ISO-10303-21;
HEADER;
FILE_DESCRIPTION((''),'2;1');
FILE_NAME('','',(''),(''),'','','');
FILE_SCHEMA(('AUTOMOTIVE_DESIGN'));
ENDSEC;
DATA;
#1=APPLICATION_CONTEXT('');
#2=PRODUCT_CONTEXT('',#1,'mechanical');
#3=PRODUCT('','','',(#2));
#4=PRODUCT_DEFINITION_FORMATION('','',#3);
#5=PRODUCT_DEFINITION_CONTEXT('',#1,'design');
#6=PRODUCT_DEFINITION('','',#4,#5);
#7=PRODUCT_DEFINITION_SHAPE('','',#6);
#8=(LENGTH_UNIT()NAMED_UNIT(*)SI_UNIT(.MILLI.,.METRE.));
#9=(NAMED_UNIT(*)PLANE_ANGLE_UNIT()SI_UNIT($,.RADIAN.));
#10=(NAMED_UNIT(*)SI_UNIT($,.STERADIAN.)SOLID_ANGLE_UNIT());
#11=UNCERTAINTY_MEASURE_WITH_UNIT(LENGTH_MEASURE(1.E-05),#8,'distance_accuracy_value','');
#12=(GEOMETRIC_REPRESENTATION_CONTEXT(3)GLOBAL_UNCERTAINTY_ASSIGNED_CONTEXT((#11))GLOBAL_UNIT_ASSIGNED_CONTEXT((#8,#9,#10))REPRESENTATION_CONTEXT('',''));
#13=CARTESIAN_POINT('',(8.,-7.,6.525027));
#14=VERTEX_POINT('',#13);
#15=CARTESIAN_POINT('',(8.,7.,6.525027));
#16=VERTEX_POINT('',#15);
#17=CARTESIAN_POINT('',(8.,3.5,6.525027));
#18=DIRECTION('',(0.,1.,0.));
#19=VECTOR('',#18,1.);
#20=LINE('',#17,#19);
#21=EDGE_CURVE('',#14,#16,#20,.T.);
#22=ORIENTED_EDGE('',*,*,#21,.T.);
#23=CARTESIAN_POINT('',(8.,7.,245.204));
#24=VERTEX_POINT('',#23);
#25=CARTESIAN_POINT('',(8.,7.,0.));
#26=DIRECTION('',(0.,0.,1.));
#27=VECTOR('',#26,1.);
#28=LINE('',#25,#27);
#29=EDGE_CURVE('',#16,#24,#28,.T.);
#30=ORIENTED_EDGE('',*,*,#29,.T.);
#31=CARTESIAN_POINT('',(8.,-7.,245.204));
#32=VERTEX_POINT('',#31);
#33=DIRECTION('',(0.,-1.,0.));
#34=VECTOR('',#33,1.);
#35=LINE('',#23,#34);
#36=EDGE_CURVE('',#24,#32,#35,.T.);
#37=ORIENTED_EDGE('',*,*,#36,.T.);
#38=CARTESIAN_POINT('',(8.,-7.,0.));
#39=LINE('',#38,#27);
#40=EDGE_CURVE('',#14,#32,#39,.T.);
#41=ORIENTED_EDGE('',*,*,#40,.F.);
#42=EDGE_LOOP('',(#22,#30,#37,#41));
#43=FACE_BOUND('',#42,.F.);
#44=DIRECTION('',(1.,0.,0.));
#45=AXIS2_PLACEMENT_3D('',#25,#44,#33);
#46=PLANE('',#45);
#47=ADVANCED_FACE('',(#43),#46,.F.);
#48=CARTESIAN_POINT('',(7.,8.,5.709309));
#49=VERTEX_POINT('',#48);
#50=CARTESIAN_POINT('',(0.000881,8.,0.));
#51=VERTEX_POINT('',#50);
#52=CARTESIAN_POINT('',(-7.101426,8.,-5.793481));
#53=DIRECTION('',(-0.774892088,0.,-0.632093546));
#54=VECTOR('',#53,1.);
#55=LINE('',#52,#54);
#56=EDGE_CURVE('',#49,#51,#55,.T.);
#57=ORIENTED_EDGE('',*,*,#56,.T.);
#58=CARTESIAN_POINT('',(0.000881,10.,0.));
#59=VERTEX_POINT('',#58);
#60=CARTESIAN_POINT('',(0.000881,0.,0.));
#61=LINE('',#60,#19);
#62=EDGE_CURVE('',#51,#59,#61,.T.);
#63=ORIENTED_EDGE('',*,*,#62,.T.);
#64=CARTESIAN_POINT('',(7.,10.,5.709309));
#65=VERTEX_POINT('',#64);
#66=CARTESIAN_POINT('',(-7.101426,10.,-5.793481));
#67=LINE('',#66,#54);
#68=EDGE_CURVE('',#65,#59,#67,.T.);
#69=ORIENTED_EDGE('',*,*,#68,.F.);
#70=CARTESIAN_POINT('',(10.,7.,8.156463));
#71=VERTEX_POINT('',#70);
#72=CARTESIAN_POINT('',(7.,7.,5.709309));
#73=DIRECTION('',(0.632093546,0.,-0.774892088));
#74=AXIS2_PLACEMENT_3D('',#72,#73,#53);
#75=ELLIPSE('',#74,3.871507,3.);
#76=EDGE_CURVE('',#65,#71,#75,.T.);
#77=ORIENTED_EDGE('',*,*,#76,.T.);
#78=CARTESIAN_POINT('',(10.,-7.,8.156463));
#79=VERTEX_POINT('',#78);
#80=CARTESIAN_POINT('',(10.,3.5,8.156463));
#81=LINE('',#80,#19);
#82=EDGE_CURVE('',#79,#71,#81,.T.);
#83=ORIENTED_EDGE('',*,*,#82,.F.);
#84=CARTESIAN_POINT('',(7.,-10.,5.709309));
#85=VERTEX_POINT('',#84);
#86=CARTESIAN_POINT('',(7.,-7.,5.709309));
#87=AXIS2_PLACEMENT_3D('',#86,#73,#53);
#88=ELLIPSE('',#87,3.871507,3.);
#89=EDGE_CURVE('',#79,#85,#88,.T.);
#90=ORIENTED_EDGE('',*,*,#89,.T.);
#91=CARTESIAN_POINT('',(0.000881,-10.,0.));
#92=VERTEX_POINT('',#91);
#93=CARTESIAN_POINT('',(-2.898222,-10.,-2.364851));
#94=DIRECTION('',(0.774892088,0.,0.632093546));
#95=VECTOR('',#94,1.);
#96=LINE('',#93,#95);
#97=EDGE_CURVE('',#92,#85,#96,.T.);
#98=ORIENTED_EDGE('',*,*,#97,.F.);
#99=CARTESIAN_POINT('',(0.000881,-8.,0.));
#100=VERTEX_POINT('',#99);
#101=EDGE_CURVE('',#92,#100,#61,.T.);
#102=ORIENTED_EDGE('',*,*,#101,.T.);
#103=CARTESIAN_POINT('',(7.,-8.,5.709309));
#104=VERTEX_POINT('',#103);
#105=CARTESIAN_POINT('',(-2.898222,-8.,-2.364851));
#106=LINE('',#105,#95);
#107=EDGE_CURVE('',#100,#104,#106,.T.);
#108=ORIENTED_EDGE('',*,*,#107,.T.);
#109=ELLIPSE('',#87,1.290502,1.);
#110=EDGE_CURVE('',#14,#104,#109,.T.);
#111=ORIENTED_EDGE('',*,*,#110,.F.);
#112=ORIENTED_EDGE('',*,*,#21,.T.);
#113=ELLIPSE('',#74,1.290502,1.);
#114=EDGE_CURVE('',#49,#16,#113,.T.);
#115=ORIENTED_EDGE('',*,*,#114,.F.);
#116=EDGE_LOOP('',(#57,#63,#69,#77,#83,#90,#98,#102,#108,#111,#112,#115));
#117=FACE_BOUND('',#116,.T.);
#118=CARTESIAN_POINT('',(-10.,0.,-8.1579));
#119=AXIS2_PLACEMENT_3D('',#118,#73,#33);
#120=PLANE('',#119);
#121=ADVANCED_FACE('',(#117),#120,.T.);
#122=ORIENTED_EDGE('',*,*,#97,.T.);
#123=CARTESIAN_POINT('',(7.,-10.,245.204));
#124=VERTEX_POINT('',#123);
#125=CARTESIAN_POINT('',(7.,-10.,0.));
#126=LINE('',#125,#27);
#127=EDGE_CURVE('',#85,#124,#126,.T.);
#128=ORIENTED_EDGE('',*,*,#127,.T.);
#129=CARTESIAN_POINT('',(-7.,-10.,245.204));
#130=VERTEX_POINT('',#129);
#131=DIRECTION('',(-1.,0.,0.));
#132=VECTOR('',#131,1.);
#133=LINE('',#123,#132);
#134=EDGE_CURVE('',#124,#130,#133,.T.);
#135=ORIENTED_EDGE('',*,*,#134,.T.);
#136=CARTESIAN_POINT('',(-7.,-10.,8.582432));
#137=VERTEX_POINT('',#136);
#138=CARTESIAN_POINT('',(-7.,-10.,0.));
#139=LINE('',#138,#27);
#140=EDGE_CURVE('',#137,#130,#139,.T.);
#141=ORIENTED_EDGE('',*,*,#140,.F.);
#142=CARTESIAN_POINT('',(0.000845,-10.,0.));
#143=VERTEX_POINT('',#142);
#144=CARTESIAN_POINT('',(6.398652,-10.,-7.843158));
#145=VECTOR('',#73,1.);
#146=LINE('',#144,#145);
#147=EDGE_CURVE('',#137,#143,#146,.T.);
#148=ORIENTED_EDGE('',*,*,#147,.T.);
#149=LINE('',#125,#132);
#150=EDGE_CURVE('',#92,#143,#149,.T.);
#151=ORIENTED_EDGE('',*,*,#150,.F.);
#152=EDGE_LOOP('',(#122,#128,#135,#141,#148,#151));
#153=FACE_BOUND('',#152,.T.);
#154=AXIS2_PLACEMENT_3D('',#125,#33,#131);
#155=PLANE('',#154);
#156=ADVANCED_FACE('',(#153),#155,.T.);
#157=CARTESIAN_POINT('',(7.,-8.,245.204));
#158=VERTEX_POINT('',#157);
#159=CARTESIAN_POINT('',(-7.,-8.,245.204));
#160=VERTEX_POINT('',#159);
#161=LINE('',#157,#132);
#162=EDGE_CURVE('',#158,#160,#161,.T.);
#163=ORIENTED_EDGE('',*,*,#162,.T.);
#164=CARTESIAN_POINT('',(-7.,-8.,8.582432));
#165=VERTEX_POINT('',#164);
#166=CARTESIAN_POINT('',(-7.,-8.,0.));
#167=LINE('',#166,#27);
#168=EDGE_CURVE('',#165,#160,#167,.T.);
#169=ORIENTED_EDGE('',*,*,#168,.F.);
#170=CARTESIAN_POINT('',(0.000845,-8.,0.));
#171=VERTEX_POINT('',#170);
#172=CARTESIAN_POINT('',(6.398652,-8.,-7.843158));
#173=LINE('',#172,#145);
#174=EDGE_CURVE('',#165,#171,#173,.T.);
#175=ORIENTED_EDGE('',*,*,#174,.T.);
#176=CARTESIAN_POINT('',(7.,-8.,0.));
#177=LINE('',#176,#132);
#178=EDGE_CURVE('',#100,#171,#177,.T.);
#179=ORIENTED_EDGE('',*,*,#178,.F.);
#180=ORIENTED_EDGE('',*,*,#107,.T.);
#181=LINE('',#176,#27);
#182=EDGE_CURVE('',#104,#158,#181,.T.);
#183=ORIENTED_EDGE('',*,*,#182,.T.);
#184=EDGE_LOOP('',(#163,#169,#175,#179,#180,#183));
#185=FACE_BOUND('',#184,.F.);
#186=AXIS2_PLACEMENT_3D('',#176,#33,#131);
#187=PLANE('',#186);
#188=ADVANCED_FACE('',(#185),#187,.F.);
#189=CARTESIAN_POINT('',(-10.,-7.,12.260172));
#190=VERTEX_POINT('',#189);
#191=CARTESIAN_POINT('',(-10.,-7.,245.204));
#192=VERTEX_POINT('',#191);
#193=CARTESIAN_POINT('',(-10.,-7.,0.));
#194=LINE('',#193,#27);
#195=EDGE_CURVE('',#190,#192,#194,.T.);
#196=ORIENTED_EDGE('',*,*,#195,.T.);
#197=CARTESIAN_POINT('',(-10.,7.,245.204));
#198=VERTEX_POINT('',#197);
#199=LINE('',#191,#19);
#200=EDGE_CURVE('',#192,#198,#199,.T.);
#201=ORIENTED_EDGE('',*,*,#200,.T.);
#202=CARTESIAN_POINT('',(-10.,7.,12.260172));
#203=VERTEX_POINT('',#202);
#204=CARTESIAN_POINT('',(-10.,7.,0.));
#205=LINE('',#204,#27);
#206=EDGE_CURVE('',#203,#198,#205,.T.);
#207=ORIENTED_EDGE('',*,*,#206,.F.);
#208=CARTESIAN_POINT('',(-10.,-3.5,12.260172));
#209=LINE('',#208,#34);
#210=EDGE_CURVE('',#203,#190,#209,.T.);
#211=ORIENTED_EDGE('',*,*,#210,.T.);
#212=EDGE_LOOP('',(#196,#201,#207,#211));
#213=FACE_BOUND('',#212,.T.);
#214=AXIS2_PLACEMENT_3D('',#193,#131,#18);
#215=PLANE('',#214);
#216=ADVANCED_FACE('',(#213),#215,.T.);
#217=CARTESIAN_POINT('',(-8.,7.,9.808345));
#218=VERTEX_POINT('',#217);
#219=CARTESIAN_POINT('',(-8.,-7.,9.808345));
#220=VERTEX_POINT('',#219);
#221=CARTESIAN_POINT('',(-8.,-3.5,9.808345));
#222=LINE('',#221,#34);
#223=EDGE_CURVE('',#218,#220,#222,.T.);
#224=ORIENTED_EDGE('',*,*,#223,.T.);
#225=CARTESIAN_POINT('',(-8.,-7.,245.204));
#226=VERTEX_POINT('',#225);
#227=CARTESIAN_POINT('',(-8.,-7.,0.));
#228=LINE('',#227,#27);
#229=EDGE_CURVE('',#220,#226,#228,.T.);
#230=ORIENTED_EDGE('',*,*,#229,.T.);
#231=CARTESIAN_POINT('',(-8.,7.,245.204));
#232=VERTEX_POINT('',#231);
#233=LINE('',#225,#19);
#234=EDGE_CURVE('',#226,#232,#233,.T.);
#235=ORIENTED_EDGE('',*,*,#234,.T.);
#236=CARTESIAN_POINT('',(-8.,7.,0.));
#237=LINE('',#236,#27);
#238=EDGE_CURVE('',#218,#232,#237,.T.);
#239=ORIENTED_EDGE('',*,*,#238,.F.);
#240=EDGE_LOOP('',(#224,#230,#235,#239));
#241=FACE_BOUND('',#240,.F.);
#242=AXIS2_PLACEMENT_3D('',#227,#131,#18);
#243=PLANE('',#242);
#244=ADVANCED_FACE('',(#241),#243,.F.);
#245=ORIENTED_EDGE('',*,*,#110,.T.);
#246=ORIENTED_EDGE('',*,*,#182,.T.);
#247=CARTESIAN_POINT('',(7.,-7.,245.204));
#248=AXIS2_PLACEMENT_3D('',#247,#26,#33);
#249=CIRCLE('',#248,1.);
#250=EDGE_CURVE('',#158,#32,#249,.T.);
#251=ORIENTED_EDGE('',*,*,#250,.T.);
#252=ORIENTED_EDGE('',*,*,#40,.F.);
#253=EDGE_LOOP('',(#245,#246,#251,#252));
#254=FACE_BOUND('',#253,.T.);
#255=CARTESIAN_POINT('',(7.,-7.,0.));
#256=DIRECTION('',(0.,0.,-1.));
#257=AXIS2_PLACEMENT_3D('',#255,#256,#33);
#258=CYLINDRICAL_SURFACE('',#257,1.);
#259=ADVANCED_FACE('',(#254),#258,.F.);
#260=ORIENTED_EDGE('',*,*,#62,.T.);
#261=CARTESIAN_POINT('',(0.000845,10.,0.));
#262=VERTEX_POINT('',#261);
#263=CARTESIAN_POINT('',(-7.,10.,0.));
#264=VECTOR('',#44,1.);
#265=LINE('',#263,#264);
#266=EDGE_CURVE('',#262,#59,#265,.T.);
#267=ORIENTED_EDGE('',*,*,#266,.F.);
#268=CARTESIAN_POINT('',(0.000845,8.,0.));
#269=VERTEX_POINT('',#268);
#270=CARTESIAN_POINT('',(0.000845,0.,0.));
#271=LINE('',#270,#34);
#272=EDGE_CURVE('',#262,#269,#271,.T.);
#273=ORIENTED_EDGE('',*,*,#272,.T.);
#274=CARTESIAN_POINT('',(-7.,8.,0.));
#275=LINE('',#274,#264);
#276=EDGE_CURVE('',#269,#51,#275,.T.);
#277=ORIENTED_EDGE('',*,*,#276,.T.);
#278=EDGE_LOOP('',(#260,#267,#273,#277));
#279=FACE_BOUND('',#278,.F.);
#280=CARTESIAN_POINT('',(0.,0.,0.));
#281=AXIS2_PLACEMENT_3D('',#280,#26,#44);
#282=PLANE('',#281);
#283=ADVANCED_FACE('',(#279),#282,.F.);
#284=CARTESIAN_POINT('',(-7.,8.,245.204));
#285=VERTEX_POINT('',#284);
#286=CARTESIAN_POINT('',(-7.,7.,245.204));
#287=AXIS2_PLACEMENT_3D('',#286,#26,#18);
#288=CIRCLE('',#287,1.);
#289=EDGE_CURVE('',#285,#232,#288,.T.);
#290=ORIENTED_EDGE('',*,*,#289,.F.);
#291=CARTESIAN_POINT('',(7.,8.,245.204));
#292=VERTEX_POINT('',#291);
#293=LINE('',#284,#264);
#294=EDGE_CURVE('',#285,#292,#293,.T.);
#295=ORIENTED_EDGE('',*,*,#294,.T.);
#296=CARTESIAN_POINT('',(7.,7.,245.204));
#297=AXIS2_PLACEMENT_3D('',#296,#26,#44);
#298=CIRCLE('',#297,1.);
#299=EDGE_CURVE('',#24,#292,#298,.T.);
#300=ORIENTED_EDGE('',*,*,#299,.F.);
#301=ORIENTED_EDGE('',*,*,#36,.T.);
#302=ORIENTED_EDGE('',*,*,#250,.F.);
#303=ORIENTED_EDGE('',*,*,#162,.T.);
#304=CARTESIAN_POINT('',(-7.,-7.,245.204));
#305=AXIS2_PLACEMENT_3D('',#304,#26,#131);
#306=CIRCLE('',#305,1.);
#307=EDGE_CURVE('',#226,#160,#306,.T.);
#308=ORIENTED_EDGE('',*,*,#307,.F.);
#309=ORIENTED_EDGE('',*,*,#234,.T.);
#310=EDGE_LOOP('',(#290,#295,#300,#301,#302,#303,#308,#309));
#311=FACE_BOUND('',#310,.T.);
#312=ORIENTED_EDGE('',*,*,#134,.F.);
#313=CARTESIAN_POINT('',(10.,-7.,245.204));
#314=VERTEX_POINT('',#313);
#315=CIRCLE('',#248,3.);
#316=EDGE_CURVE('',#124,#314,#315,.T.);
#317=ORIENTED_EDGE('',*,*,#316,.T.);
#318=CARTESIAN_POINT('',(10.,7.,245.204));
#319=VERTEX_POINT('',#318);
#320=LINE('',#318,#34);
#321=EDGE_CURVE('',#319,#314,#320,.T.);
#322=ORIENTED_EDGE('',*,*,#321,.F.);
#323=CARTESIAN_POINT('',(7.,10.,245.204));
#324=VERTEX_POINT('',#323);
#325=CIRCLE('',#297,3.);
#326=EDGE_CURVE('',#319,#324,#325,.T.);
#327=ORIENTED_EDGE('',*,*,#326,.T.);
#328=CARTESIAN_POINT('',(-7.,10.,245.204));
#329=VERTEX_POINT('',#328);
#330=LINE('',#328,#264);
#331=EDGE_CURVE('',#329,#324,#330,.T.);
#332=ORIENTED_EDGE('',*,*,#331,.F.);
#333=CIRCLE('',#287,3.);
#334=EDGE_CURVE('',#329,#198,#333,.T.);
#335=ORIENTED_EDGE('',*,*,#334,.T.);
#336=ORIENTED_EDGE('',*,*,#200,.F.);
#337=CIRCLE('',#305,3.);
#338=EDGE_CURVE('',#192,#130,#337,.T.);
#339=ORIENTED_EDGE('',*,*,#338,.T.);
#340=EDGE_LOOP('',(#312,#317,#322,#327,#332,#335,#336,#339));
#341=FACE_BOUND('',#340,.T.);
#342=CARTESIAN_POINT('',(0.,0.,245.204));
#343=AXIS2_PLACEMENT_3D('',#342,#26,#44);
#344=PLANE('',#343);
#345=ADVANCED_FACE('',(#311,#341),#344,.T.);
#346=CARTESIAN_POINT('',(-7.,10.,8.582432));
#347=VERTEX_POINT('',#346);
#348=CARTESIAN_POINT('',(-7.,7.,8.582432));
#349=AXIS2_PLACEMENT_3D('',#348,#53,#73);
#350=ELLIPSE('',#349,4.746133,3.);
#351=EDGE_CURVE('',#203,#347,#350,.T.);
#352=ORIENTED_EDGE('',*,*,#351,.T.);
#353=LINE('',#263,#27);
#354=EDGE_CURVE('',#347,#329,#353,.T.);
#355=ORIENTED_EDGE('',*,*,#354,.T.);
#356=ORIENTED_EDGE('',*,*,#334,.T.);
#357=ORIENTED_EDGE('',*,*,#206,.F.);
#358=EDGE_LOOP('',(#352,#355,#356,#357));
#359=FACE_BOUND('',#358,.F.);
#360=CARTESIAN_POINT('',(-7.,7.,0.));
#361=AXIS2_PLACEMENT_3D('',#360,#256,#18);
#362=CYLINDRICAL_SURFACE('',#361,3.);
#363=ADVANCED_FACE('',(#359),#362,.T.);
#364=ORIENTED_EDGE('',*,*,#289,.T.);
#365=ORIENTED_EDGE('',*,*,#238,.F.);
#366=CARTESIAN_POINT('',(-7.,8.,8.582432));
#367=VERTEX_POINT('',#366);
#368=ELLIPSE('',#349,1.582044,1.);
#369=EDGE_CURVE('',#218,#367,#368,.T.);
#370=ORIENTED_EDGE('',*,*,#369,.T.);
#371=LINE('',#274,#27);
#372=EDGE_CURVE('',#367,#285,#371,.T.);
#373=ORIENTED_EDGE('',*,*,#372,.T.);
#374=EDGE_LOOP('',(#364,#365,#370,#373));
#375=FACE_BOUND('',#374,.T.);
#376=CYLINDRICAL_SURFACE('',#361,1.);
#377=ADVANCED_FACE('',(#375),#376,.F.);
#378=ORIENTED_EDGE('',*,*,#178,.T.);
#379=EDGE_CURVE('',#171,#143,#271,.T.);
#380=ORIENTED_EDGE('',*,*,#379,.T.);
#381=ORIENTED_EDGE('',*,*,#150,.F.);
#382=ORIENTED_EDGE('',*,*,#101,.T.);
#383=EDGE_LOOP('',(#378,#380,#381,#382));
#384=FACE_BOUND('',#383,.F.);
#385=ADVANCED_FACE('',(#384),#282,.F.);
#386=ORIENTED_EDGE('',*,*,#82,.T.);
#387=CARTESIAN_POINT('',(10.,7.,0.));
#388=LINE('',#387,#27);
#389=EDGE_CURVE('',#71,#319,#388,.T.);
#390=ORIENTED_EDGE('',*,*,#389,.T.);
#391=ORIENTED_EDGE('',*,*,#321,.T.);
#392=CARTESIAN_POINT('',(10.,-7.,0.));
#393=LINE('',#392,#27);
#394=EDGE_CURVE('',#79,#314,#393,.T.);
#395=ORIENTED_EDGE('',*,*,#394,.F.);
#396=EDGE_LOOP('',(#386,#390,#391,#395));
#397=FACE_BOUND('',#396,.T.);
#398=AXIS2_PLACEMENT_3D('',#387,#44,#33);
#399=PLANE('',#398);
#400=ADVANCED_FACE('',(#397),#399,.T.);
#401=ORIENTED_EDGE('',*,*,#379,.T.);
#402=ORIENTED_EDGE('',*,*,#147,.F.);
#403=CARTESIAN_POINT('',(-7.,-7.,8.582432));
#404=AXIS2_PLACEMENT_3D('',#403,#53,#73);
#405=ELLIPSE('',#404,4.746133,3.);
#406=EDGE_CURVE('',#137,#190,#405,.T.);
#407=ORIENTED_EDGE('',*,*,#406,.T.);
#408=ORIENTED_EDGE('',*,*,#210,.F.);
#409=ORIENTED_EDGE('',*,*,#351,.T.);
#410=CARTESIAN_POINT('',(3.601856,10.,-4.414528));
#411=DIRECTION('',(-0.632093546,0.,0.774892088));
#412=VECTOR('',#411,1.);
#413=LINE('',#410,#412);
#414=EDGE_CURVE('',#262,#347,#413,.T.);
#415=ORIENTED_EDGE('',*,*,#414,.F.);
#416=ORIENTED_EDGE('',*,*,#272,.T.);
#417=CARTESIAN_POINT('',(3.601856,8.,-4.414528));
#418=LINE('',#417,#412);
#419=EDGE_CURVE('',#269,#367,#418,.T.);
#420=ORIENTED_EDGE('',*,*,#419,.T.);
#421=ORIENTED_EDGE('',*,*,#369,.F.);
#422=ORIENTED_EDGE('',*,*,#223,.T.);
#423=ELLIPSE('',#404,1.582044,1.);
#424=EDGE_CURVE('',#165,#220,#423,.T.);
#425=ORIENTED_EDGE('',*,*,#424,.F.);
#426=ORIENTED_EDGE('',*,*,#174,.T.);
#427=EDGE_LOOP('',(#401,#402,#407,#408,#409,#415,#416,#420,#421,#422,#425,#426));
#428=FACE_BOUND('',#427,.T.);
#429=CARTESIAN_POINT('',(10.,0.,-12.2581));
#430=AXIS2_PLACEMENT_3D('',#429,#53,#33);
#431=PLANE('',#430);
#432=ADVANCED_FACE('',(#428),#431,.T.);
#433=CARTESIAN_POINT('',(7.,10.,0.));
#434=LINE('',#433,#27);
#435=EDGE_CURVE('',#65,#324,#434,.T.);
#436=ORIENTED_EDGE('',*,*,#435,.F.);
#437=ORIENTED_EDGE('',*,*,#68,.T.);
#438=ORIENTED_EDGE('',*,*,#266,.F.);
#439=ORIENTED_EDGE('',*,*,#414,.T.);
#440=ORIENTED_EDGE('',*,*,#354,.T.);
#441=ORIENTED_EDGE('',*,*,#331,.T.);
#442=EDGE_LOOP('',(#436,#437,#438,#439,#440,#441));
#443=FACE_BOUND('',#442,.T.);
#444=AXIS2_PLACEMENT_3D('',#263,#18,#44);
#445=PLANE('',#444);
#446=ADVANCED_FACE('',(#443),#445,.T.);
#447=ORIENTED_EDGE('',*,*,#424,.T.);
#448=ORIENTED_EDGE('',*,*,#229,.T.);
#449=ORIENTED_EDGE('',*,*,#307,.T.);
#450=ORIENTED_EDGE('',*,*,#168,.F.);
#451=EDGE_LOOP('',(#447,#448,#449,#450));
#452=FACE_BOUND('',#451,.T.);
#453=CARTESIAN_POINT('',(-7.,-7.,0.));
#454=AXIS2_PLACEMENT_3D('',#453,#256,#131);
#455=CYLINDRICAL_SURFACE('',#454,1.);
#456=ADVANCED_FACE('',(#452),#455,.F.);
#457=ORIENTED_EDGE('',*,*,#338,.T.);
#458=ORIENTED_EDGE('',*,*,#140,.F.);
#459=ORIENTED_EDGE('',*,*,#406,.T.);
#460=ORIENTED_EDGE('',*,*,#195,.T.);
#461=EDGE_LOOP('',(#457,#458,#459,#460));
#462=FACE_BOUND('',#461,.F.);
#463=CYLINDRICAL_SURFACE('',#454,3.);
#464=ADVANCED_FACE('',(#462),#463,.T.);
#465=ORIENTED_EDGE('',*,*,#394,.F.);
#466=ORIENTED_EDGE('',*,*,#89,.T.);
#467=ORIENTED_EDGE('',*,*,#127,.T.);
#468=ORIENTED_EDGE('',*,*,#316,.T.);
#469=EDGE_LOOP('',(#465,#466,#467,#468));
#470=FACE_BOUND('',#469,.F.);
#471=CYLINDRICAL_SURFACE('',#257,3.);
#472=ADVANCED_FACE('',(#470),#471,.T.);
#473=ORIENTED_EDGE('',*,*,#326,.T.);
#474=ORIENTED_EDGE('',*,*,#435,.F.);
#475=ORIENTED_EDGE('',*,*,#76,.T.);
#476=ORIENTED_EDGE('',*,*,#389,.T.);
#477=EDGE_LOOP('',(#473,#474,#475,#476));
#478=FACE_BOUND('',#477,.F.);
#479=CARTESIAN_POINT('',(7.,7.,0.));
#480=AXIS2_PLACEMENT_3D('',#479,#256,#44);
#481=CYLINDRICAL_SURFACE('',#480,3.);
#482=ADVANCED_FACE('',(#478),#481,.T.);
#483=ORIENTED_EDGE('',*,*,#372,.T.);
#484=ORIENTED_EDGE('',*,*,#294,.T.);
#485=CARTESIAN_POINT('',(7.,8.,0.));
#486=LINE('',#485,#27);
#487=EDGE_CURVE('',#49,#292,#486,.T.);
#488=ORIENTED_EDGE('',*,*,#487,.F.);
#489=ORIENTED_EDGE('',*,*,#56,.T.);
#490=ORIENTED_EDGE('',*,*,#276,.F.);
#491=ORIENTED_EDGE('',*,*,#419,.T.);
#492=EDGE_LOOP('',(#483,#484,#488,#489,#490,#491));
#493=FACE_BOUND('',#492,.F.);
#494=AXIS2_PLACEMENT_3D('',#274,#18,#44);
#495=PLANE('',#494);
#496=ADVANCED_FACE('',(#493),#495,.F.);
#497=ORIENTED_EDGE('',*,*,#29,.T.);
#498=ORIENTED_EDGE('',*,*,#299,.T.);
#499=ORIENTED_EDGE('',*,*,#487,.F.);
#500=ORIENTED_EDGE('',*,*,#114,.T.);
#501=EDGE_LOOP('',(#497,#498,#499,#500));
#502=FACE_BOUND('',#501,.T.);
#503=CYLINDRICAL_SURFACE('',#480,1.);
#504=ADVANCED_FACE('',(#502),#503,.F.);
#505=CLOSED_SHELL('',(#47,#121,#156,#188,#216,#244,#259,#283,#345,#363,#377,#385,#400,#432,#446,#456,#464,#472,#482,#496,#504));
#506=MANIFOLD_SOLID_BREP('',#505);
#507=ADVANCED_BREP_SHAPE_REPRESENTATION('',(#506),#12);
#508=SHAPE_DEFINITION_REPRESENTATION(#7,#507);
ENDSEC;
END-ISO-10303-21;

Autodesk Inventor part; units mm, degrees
ref_plane "Start Plane" through (0, 0, 0) normal (0, 0, 1) x (1, 0, 0)
ref_plane "End Plane" through (0, 0, 245.204) normal (0, 0, 1) x (1, 0, 0)
sketch "Sketch" plane through (0, 0, 0) normal (0, 0, 1) x (1, 0, 0)
  line L0 (-10, -7) -> (-10, 7)
  line L1 (-7, 10) -> (7, 10)
  line L2 (10, 7) -> (10, -7)
  line L3 (7, -10) -> (-7, -10)
  arc A0 (-10, -7) -> (-7, -10) centre (-7, -7) ccw
  arc A1 (-7, 10) -> (-10, 7) centre (-7, 7) ccw
  arc A2 (10, 7) -> (7, 10) centre (7, 7) ccw
  arc A3 (7, -10) -> (10, -7) centre (7, -7) ccw
  arc A4 (-7, 8) -> (-8, 7) centre (-7, 7) ccw
  line L4 (-7, 8) -> (7, 8)
  arc A5 (8, 7) -> (7, 8) centre (7, 7) ccw
  line L5 (8, 7) -> (8, -7)
  arc A6 (7, -8) -> (8, -7) centre (7, -7) ccw
  line L6 (7, -8) -> (-7, -8)
  arc A7 (-8, -7) -> (-7, -8) centre (-7, -7) ccw
  line L7 (-8, -7) -> (-8, 7)
  line L8 (0, 14.8698) -> (0, -14.8698) construction
  line L9 (-14.8698, 0) -> (14.8698, 0) construction
  dimension "d7" = 3
  dimension "d10" = 20
  dimension "d11" = 20
  dimension "d12" = 2
  dimension "d15" = 10
  dimension "d16" = 10
extrude "Body" add sketch "Sketch" along normal up to surface (245.204 mm away) from surface at 0
sketch "Sketch3" plane through (0, 0, 0) normal (0, 0, 1) x (1, 0, 0)
  line L0 (0, 0) -> (10, 0)
ref_plane "Work Plane3" through (0, 0, 0) normal (0, -1, 0) x (1, 0, 0)
sketch "Sketch4" plane through (0, 0, 0) normal (0, -1, 0) x (1, 0, 0)
  line L0 (-2, 0) -> (12, 0)
  line L1 (-2, 245.204) -> (12, 245.204)
  dimension "d18" = 245.204
ref_plane "Work Plane4" through (10, 0, -12.2581) normal (-0.7749, 0, -0.6321) x (-0.6321, 0, 0.7749)
split "Split1" plane through (10, 0, -12.2581) removes the side toward (-0.7749, 0, -0.6321)
ref_plane "Work Plane5" through (-10, 0, -8.1579) normal (0.6321, 0, -0.7749) x (-0.7749, 0, -0.6321)
split "Split2" plane through (-10, 0, -8.1579) removes the side toward (0.6321, 0, -0.7749)
equation "\"d7\" = G_IR"
equation "\"d10\" = G_H"
equation "\"d11\" = G_W"
equation "\"d12\" = G_T"
equation "\"d15\" = 0.5 * d10"
equation "\"d16\" = 0.5 * d11"
equation "\"d3\" = G_L"
equation "\"G_W\" = 20"
equation "\"G_H\" = 20"
equation "\"G_T\" = 2"
equation "\"G_IR\" = 3"
equation "\"G_L\" = d18"
equation "\"G_OFFSET_START\" = 0"
equation "\"G_OFFSET_END\" = 0"
equation "\"d14\" = G_OFFSET_END + B_L"
equation "\"B_L\" = 245.204"
properties part number "ISO 12633-2 - 20x20x2 - 245.2" material "Steel, Mild"
